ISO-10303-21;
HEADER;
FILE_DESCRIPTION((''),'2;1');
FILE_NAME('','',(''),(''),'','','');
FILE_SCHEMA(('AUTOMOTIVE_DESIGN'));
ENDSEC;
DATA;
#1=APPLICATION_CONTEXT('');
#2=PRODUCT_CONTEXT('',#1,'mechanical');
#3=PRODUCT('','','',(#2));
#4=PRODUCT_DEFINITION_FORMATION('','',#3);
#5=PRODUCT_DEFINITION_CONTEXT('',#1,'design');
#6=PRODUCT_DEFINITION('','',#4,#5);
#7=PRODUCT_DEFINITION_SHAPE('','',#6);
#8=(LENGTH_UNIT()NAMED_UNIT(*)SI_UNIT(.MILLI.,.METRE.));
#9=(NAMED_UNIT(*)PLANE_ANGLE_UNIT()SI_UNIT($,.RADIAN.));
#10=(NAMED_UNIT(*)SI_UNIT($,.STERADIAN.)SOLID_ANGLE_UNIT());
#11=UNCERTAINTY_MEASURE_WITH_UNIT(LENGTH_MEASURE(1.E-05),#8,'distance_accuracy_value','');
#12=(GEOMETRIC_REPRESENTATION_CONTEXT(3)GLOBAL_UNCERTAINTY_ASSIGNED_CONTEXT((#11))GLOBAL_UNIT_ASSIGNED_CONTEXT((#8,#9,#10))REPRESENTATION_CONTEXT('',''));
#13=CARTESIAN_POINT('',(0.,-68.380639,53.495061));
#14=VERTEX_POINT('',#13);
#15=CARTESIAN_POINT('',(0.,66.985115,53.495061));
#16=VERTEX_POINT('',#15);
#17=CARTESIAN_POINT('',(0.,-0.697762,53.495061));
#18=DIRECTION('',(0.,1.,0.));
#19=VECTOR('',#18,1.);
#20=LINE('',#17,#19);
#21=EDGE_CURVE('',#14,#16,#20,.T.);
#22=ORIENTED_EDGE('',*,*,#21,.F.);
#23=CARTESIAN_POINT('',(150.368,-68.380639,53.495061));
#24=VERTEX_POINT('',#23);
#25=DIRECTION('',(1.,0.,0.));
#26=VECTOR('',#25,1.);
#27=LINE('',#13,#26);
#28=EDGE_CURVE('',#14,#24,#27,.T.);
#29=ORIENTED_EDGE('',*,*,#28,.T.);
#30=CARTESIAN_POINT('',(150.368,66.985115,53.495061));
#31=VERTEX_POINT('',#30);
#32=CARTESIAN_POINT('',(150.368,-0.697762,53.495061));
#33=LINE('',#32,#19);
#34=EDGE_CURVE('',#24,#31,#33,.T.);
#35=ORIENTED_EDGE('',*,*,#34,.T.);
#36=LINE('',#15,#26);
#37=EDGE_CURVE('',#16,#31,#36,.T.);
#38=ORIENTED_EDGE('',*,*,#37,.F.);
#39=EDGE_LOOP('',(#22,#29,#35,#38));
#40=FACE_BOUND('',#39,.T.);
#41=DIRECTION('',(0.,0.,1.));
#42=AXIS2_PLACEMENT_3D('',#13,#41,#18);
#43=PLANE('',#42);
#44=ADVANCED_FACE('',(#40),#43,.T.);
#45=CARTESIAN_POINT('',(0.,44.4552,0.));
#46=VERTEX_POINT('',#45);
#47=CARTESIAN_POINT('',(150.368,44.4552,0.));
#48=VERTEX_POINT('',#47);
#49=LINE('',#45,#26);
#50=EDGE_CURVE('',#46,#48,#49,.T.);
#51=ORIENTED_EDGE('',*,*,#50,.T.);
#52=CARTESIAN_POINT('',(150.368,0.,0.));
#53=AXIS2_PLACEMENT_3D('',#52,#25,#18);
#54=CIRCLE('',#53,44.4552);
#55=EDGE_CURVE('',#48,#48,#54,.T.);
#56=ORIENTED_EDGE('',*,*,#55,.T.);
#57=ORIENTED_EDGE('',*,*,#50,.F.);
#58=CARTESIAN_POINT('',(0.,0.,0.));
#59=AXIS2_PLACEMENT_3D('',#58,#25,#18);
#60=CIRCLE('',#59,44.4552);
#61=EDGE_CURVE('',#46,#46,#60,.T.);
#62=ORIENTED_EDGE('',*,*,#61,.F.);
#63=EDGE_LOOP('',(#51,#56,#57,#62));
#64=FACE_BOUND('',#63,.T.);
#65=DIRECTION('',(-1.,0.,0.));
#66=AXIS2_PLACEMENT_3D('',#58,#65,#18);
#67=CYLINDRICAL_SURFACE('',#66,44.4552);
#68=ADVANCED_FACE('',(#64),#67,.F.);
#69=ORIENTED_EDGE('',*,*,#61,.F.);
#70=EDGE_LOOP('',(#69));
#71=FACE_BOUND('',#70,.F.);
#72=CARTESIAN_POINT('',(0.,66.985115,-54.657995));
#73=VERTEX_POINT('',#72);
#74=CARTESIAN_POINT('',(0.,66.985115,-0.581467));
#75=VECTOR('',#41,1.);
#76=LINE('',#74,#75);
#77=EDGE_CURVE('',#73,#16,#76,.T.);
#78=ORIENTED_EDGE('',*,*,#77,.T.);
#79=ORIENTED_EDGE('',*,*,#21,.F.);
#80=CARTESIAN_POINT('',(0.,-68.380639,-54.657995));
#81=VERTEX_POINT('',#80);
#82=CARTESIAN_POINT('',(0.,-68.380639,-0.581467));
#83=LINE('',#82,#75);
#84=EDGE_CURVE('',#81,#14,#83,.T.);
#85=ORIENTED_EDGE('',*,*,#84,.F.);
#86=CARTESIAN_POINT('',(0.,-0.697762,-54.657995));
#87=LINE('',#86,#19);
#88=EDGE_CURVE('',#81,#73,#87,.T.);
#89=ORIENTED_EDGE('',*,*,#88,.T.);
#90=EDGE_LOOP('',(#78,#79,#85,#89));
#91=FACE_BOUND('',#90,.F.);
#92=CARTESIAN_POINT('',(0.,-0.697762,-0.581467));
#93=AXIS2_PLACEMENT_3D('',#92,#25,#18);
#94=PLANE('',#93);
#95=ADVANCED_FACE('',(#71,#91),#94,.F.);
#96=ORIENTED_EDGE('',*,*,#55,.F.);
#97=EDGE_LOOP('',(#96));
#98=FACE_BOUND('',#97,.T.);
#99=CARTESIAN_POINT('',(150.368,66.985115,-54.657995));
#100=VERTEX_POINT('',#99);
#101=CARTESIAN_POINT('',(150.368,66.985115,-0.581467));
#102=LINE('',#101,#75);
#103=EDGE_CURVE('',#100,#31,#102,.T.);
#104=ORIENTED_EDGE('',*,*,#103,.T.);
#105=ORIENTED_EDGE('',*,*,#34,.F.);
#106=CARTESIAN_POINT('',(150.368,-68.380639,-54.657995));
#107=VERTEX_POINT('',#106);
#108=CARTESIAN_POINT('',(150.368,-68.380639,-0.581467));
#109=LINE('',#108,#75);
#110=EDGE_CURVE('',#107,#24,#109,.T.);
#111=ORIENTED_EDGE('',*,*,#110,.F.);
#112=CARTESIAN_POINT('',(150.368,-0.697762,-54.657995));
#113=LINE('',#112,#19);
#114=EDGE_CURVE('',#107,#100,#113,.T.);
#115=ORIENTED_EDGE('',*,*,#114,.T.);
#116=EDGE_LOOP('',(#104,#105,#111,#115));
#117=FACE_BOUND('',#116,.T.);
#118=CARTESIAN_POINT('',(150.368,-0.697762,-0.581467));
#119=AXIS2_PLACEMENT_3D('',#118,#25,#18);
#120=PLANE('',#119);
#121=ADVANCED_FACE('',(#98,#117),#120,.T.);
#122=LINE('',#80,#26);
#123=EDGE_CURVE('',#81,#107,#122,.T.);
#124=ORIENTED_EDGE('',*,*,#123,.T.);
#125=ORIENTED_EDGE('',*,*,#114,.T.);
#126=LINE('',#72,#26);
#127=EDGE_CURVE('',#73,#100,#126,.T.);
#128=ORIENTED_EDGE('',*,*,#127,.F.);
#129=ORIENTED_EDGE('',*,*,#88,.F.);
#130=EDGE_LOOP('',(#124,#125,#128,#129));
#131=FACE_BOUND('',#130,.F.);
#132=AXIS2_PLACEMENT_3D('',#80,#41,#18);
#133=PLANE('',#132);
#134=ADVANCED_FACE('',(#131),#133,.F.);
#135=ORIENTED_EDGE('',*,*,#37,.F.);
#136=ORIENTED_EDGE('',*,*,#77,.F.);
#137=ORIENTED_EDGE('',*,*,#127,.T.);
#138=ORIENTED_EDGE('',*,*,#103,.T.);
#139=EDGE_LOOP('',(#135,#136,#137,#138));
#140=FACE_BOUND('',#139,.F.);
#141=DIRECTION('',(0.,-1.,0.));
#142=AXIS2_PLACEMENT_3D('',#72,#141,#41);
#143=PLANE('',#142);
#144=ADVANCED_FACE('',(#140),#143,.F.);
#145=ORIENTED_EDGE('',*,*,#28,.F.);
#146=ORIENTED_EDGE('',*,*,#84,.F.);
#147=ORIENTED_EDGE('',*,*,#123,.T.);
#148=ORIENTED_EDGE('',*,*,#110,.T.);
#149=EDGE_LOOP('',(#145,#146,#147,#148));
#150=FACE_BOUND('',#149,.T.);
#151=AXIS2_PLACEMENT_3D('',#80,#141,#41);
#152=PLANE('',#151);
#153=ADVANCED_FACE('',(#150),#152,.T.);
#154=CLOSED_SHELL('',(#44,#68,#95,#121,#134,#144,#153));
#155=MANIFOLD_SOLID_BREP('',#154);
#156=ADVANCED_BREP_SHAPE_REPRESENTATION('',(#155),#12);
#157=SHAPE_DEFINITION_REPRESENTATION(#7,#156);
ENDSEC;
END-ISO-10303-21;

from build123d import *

# Parameters (mm, degrees)
F0_W     = 135.365754
F0_H     = 108.153057
F0_R     = 44.4552
F1_DEPTH = 150.368


with BuildPart() as f1:
    # F0 (on Right) → F1 (new body)
    with BuildSketch(Plane.YZ):
        with Locations((-0.697762, -0.581467)):
            Rectangle(F0_W, F0_H)
        Circle(F0_R, mode=Mode.SUBTRACT)
    extrude(amount=F1_DEPTH)


solid = f1.part
